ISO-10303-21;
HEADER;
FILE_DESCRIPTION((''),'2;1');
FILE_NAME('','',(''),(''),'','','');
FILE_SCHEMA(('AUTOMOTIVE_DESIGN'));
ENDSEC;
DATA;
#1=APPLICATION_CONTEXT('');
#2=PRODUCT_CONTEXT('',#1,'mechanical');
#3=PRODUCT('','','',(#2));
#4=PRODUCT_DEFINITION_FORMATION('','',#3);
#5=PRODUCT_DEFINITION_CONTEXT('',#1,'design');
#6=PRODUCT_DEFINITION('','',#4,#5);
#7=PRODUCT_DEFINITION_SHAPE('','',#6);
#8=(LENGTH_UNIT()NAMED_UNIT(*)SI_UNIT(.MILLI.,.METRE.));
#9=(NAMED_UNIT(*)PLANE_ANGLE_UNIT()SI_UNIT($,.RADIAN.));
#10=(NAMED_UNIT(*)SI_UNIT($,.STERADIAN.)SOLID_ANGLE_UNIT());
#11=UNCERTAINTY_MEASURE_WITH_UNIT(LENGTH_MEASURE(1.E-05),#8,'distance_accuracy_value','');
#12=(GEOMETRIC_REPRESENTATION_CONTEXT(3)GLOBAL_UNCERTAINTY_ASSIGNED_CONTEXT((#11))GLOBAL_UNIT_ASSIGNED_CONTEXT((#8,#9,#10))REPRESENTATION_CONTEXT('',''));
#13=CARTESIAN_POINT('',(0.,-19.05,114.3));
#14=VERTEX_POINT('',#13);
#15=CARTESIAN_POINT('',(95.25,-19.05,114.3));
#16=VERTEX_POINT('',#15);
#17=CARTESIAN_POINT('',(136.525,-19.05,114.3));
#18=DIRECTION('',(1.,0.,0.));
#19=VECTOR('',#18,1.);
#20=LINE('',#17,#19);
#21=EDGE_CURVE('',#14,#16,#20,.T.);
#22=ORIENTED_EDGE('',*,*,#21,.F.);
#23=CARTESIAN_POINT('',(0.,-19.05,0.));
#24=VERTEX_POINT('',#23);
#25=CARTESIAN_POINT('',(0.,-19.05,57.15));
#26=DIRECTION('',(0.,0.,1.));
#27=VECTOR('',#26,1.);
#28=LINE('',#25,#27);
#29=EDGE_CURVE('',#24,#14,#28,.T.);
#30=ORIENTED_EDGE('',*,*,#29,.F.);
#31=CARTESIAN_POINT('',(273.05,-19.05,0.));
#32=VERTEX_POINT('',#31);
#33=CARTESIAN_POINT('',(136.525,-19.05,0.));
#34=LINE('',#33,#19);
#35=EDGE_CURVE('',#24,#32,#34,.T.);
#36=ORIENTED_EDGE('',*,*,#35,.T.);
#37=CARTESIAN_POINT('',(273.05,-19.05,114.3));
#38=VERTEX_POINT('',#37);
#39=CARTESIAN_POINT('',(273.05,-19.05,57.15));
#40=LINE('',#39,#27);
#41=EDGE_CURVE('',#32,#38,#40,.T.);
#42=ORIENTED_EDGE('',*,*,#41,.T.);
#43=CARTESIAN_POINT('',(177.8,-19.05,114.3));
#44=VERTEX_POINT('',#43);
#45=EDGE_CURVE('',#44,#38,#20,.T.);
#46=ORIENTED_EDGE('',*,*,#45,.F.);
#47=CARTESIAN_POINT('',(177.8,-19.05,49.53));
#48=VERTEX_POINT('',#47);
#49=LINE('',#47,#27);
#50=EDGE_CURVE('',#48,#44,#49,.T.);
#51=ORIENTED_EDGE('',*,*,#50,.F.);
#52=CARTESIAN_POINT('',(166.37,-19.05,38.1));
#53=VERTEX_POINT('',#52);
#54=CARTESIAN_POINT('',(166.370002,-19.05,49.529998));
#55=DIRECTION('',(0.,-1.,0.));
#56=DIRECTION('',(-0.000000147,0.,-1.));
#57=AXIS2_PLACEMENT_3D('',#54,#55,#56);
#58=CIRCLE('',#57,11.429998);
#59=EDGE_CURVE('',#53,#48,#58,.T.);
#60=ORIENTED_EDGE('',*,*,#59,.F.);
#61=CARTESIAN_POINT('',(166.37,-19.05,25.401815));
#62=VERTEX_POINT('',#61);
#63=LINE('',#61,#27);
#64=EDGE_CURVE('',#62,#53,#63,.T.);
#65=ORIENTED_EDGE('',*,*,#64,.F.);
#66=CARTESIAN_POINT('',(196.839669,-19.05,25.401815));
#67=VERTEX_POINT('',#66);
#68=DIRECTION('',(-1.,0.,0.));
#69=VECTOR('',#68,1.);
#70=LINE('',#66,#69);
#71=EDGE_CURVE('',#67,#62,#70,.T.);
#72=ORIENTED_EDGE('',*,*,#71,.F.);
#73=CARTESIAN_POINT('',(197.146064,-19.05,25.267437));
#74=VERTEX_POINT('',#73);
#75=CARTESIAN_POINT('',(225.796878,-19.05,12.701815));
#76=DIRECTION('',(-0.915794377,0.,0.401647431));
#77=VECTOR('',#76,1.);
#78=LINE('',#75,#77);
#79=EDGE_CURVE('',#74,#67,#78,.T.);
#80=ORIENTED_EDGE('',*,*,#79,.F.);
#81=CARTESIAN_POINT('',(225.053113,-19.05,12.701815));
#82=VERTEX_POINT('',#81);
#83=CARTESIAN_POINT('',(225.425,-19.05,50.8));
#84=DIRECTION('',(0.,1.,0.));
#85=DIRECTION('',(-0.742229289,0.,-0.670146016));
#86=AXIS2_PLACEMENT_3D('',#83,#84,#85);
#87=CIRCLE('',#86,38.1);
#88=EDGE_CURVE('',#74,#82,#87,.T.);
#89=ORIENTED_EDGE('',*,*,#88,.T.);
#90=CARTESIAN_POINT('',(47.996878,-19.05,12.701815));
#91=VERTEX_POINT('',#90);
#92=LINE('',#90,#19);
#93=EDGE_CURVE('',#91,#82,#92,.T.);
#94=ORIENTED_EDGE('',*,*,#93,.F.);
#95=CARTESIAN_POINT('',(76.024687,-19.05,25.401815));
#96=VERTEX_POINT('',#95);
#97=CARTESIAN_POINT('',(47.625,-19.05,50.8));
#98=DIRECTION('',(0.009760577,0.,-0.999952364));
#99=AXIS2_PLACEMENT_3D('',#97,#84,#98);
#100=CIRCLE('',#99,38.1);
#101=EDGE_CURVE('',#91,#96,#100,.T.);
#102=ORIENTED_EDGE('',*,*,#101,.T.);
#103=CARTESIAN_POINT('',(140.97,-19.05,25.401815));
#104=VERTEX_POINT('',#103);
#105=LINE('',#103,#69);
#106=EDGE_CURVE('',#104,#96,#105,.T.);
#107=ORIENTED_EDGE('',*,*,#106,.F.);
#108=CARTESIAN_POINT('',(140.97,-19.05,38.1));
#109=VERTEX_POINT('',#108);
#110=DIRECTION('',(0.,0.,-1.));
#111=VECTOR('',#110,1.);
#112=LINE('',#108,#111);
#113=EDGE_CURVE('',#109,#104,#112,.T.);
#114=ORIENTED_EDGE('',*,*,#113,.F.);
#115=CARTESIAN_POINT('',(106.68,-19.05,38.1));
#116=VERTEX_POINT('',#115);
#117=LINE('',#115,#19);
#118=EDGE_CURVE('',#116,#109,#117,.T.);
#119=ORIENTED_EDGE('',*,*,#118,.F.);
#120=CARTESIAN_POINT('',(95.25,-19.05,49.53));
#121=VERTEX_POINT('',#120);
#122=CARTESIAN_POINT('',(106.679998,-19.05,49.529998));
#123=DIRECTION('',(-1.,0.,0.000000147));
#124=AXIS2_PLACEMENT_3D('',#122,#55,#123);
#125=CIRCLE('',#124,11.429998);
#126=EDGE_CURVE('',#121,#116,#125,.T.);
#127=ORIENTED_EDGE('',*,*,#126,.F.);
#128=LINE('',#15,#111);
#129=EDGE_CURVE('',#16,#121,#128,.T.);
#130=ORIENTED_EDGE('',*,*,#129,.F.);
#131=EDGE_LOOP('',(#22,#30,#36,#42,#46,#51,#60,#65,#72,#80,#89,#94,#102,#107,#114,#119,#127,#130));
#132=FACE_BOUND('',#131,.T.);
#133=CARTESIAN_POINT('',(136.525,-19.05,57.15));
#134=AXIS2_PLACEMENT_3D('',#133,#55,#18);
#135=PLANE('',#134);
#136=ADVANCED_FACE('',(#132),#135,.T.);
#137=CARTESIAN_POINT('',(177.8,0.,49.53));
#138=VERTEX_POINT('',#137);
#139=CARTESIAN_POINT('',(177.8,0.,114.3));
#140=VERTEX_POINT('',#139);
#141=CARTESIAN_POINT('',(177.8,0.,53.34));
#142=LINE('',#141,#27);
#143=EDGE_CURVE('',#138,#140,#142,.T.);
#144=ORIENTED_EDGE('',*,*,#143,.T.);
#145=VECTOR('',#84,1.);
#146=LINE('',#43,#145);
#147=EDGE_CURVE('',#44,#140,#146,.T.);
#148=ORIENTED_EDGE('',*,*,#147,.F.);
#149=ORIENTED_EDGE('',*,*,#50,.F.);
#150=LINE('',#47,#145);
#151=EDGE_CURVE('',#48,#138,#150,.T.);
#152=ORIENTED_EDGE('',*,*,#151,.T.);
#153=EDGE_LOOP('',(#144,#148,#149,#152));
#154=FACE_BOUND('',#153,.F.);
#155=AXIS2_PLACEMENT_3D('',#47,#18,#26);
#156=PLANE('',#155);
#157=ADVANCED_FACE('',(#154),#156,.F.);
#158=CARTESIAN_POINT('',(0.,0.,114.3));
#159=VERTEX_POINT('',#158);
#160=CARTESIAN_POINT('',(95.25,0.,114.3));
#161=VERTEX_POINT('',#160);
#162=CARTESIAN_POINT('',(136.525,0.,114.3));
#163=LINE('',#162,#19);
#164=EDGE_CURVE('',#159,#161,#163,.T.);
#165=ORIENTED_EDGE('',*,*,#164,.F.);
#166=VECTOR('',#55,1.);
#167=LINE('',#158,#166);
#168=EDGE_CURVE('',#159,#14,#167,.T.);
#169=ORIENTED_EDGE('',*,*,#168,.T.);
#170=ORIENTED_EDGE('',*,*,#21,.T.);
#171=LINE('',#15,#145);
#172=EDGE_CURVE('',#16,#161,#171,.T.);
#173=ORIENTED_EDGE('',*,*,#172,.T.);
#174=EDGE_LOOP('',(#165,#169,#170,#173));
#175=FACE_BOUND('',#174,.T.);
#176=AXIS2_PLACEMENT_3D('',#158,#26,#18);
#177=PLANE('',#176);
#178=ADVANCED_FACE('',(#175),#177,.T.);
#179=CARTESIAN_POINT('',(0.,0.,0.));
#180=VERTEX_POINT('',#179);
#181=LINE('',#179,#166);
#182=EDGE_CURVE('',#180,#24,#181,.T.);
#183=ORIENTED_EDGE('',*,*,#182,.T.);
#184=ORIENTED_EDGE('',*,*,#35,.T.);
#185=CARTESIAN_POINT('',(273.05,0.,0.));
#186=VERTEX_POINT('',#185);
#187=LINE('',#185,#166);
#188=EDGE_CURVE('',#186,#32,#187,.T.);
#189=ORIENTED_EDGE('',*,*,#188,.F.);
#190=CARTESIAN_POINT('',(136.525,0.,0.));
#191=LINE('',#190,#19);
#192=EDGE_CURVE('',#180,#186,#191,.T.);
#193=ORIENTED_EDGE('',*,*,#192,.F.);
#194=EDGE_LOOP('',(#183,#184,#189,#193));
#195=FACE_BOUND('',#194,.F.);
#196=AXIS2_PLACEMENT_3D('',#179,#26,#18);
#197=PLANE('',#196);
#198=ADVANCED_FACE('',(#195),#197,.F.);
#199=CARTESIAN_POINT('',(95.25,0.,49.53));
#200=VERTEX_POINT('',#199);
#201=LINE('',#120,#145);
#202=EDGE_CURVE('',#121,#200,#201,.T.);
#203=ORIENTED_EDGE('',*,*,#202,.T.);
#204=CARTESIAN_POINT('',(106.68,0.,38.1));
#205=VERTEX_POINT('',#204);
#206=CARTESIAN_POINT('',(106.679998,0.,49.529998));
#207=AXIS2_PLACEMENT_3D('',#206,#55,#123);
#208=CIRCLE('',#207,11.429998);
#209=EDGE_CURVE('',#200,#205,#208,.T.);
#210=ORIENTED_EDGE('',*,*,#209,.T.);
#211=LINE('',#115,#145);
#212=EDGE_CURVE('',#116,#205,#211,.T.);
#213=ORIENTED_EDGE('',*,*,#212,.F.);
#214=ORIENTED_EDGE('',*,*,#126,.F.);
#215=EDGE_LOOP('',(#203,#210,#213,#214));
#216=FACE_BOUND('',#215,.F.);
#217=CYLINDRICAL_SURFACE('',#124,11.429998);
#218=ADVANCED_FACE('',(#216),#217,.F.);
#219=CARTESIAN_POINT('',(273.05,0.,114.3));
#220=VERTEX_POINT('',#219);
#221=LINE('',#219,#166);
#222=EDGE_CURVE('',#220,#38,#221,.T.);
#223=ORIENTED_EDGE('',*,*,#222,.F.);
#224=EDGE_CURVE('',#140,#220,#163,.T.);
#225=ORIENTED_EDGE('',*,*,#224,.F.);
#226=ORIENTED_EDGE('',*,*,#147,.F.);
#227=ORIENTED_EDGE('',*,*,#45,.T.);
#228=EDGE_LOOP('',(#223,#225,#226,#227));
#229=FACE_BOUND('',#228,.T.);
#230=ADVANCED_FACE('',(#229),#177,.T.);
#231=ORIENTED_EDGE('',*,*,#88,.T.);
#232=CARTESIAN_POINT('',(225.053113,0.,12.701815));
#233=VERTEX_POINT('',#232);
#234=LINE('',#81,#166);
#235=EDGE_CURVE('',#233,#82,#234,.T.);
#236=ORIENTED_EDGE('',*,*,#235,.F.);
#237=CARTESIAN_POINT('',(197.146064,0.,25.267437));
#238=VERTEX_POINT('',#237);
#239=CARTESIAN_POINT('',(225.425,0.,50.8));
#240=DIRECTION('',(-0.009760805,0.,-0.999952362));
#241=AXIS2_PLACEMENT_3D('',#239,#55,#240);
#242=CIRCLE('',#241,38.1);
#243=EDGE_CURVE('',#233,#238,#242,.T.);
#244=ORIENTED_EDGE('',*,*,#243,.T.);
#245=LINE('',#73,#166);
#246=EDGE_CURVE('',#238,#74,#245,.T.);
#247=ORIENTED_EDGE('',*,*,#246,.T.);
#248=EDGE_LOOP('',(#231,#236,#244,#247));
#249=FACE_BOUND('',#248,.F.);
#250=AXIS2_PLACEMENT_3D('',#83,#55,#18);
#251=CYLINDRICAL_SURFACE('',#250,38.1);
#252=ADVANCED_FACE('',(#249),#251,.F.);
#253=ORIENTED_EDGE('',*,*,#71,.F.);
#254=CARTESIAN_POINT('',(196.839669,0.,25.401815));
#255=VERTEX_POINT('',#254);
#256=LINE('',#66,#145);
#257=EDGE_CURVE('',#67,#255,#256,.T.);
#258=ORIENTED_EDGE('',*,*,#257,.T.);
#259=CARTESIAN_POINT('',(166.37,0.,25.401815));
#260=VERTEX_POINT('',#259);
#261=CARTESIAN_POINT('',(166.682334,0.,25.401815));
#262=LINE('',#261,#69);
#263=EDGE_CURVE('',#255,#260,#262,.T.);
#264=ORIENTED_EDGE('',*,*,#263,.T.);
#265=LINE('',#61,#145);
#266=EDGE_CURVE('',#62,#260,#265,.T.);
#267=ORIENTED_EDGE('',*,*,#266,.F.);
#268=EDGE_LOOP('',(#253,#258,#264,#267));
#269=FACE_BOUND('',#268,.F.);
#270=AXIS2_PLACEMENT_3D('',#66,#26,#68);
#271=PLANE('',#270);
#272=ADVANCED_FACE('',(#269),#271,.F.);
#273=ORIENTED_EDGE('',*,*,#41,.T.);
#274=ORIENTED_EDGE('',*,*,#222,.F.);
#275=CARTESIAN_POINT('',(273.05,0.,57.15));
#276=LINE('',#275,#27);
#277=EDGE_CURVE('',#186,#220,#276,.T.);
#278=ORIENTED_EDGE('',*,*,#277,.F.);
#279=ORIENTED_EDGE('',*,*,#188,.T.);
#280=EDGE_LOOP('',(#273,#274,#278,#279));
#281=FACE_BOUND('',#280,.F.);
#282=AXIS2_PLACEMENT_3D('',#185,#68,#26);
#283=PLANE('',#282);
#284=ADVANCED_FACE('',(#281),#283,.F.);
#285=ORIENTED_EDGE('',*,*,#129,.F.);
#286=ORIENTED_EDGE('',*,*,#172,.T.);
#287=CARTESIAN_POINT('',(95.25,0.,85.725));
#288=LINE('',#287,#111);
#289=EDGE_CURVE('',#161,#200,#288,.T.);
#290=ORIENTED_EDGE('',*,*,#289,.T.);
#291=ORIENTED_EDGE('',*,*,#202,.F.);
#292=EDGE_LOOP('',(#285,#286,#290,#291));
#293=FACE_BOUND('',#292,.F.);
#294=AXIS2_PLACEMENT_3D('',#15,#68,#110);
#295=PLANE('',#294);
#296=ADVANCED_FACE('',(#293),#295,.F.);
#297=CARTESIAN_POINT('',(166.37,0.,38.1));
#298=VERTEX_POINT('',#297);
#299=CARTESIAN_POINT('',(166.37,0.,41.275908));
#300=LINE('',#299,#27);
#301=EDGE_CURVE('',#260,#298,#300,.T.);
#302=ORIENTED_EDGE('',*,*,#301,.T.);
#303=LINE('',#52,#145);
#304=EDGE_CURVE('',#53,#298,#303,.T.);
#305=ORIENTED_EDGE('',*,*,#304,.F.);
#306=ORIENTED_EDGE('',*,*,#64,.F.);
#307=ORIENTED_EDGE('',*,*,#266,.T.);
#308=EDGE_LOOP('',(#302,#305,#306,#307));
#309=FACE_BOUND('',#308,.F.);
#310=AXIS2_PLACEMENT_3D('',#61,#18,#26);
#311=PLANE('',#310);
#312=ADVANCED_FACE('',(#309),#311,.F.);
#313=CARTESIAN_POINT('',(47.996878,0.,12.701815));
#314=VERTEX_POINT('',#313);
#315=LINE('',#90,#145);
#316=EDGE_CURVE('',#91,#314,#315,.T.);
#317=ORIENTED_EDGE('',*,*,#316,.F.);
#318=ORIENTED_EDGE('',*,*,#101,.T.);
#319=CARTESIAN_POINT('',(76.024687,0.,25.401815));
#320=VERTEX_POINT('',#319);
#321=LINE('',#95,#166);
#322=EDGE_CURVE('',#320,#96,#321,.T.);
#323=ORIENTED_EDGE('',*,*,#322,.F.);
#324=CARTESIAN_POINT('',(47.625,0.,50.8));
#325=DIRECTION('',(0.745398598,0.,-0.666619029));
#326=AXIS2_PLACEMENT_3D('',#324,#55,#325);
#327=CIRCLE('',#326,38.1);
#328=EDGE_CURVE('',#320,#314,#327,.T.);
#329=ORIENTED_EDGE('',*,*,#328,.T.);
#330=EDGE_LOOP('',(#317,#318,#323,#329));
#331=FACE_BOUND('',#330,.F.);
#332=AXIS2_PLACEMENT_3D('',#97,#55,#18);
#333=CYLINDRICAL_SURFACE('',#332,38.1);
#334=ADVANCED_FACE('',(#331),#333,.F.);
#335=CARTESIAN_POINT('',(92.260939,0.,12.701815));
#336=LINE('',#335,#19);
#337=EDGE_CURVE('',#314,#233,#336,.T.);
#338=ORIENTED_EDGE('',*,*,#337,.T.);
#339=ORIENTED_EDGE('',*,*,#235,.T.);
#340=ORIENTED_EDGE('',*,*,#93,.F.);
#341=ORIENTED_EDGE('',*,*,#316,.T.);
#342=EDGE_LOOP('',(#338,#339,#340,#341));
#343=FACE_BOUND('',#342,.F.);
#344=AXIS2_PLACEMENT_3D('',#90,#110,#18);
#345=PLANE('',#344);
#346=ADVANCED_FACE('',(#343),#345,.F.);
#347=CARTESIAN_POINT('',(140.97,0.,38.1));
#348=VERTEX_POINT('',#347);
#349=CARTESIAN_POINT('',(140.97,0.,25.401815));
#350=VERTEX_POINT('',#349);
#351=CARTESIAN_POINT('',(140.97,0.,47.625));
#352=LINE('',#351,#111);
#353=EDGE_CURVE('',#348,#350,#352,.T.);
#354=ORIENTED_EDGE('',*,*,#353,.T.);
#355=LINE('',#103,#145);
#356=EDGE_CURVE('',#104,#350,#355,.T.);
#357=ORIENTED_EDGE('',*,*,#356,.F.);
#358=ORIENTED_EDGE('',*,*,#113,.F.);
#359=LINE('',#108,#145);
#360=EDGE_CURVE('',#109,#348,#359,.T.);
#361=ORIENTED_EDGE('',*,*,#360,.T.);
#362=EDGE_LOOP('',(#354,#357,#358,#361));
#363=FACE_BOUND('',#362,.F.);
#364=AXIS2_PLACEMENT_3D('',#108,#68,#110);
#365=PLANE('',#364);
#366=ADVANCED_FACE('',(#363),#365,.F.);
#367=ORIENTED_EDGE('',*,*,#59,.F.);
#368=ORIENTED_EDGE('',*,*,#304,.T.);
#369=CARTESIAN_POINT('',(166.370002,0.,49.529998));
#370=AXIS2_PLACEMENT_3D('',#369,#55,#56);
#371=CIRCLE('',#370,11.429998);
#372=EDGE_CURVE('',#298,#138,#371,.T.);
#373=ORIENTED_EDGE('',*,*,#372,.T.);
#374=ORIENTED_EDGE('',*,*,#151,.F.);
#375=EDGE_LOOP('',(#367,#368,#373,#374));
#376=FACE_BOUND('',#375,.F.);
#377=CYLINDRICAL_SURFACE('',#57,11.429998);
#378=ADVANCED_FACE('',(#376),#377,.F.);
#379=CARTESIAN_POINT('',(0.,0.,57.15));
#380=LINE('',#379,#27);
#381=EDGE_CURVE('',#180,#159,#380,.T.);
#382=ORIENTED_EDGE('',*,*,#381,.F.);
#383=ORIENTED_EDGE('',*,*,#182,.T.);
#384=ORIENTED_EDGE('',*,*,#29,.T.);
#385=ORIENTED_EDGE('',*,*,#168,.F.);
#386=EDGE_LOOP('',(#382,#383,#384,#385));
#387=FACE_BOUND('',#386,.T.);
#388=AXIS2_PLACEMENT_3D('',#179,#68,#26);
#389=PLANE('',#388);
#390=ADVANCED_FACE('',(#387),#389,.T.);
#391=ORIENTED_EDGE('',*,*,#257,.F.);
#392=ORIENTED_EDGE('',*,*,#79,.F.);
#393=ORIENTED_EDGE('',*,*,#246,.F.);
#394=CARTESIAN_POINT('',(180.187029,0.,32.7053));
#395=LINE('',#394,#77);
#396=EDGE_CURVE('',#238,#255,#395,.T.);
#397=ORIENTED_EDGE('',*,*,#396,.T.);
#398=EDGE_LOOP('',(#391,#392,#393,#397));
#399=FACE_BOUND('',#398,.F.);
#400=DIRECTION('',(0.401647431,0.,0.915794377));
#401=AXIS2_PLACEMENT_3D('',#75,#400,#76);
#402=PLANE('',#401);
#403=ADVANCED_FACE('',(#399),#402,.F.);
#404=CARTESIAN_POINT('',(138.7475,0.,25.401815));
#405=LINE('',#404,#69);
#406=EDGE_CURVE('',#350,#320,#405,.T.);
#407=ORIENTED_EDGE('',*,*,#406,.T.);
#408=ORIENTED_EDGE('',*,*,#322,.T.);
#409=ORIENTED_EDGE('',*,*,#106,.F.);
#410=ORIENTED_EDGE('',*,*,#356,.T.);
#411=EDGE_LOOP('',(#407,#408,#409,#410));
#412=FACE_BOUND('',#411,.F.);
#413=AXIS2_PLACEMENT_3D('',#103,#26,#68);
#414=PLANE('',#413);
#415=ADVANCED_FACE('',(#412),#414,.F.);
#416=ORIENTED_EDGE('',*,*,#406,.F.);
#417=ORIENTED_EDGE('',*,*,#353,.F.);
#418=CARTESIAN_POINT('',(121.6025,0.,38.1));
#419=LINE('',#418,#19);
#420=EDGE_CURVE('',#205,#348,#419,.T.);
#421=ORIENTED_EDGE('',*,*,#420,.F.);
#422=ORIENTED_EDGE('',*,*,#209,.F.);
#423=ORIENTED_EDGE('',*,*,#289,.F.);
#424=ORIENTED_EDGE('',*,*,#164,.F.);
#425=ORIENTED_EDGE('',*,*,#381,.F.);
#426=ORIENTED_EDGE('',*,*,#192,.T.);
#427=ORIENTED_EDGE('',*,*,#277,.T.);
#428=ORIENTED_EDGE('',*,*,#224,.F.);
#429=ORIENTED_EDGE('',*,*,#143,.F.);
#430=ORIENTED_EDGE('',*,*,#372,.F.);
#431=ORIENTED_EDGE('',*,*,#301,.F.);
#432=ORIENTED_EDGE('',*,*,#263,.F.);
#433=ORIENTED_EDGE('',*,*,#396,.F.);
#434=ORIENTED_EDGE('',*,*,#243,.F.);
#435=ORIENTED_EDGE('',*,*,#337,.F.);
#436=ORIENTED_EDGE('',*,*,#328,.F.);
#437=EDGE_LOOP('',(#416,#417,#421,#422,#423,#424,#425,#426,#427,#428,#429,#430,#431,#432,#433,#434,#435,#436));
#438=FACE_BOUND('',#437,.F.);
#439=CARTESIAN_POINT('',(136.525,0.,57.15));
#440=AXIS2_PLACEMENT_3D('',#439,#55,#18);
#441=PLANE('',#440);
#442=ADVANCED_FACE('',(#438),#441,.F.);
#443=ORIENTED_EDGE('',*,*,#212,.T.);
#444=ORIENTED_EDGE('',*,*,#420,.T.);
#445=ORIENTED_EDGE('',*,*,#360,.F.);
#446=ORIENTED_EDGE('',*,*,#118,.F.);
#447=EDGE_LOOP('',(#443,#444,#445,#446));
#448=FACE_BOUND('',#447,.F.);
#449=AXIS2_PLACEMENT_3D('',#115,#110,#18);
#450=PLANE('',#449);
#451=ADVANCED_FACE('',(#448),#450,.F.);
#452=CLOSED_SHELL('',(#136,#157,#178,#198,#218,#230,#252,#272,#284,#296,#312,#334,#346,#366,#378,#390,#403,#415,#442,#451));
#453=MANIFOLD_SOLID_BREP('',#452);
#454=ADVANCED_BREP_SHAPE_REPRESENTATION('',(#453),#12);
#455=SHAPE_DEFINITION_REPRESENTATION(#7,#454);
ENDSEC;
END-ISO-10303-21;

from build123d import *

# Parameters (mm, degrees)
F0_W     = 273.05
F0_H     = 114.3
F1_DEPTH = 19.05
F2_R     = 38.1
F3_DEPTH = 25.4
F5_DEPTH = 45.72
F7_DEPTH = 25.4


with BuildPart() as f1:
    # F0 (on Front) → F1 (new body)
    with BuildSketch(Plane.XZ):
        with Locations((136.525, 57.15)):
            Rectangle(F0_W, F0_H)
    extrude(amount=F1_DEPTH)

    # F2 (on face) → F3 (cut)
    with BuildSketch(Plane.XZ.offset(19.05)):
        with Locations((47.625, 50.8)):
            Circle(F2_R)
        with Locations((225.425, 50.8)):
            Circle(F2_R)
    extrude(amount=-F3_DEPTH, mode=Mode.SUBTRACT)

    # F4 (on face) → F5 (cut)
    with BuildSketch(Plane.XZ.offset(19.05)):
        with BuildLine():
            Line((177.8, 114.3), (95.25, 114.3))
            Line((95.25, 114.3), (95.25, 49.53))
            ThreePointArc((95.25, 49.53), (98.597769, 41.447769), (106.68, 38.1))
            Line((106.68, 38.1), (166.37, 38.1))
            ThreePointArc((166.37, 38.1), (174.452231, 41.447769), (177.8, 49.53))
            Line((177.8, 49.53), (177.8, 114.3))
        make_face()
    extrude(amount=-F5_DEPTH, mode=Mode.SUBTRACT)

    # F6 (on face) → F7 (cut)
    with BuildSketch(Plane.XZ.offset(19.05)):
        Polygon((166.37, 25.401815), (166.37, 38.1), (140.97, 38.1), (140.97, 25.401815), (59.75961, 25.401815), (47.996878, 12.701815), (225.796878, 12.701815), (196.839669, 25.401815), align=None)
    extrude(amount=-F7_DEPTH, mode=Mode.SUBTRACT)


solid = f1.part
